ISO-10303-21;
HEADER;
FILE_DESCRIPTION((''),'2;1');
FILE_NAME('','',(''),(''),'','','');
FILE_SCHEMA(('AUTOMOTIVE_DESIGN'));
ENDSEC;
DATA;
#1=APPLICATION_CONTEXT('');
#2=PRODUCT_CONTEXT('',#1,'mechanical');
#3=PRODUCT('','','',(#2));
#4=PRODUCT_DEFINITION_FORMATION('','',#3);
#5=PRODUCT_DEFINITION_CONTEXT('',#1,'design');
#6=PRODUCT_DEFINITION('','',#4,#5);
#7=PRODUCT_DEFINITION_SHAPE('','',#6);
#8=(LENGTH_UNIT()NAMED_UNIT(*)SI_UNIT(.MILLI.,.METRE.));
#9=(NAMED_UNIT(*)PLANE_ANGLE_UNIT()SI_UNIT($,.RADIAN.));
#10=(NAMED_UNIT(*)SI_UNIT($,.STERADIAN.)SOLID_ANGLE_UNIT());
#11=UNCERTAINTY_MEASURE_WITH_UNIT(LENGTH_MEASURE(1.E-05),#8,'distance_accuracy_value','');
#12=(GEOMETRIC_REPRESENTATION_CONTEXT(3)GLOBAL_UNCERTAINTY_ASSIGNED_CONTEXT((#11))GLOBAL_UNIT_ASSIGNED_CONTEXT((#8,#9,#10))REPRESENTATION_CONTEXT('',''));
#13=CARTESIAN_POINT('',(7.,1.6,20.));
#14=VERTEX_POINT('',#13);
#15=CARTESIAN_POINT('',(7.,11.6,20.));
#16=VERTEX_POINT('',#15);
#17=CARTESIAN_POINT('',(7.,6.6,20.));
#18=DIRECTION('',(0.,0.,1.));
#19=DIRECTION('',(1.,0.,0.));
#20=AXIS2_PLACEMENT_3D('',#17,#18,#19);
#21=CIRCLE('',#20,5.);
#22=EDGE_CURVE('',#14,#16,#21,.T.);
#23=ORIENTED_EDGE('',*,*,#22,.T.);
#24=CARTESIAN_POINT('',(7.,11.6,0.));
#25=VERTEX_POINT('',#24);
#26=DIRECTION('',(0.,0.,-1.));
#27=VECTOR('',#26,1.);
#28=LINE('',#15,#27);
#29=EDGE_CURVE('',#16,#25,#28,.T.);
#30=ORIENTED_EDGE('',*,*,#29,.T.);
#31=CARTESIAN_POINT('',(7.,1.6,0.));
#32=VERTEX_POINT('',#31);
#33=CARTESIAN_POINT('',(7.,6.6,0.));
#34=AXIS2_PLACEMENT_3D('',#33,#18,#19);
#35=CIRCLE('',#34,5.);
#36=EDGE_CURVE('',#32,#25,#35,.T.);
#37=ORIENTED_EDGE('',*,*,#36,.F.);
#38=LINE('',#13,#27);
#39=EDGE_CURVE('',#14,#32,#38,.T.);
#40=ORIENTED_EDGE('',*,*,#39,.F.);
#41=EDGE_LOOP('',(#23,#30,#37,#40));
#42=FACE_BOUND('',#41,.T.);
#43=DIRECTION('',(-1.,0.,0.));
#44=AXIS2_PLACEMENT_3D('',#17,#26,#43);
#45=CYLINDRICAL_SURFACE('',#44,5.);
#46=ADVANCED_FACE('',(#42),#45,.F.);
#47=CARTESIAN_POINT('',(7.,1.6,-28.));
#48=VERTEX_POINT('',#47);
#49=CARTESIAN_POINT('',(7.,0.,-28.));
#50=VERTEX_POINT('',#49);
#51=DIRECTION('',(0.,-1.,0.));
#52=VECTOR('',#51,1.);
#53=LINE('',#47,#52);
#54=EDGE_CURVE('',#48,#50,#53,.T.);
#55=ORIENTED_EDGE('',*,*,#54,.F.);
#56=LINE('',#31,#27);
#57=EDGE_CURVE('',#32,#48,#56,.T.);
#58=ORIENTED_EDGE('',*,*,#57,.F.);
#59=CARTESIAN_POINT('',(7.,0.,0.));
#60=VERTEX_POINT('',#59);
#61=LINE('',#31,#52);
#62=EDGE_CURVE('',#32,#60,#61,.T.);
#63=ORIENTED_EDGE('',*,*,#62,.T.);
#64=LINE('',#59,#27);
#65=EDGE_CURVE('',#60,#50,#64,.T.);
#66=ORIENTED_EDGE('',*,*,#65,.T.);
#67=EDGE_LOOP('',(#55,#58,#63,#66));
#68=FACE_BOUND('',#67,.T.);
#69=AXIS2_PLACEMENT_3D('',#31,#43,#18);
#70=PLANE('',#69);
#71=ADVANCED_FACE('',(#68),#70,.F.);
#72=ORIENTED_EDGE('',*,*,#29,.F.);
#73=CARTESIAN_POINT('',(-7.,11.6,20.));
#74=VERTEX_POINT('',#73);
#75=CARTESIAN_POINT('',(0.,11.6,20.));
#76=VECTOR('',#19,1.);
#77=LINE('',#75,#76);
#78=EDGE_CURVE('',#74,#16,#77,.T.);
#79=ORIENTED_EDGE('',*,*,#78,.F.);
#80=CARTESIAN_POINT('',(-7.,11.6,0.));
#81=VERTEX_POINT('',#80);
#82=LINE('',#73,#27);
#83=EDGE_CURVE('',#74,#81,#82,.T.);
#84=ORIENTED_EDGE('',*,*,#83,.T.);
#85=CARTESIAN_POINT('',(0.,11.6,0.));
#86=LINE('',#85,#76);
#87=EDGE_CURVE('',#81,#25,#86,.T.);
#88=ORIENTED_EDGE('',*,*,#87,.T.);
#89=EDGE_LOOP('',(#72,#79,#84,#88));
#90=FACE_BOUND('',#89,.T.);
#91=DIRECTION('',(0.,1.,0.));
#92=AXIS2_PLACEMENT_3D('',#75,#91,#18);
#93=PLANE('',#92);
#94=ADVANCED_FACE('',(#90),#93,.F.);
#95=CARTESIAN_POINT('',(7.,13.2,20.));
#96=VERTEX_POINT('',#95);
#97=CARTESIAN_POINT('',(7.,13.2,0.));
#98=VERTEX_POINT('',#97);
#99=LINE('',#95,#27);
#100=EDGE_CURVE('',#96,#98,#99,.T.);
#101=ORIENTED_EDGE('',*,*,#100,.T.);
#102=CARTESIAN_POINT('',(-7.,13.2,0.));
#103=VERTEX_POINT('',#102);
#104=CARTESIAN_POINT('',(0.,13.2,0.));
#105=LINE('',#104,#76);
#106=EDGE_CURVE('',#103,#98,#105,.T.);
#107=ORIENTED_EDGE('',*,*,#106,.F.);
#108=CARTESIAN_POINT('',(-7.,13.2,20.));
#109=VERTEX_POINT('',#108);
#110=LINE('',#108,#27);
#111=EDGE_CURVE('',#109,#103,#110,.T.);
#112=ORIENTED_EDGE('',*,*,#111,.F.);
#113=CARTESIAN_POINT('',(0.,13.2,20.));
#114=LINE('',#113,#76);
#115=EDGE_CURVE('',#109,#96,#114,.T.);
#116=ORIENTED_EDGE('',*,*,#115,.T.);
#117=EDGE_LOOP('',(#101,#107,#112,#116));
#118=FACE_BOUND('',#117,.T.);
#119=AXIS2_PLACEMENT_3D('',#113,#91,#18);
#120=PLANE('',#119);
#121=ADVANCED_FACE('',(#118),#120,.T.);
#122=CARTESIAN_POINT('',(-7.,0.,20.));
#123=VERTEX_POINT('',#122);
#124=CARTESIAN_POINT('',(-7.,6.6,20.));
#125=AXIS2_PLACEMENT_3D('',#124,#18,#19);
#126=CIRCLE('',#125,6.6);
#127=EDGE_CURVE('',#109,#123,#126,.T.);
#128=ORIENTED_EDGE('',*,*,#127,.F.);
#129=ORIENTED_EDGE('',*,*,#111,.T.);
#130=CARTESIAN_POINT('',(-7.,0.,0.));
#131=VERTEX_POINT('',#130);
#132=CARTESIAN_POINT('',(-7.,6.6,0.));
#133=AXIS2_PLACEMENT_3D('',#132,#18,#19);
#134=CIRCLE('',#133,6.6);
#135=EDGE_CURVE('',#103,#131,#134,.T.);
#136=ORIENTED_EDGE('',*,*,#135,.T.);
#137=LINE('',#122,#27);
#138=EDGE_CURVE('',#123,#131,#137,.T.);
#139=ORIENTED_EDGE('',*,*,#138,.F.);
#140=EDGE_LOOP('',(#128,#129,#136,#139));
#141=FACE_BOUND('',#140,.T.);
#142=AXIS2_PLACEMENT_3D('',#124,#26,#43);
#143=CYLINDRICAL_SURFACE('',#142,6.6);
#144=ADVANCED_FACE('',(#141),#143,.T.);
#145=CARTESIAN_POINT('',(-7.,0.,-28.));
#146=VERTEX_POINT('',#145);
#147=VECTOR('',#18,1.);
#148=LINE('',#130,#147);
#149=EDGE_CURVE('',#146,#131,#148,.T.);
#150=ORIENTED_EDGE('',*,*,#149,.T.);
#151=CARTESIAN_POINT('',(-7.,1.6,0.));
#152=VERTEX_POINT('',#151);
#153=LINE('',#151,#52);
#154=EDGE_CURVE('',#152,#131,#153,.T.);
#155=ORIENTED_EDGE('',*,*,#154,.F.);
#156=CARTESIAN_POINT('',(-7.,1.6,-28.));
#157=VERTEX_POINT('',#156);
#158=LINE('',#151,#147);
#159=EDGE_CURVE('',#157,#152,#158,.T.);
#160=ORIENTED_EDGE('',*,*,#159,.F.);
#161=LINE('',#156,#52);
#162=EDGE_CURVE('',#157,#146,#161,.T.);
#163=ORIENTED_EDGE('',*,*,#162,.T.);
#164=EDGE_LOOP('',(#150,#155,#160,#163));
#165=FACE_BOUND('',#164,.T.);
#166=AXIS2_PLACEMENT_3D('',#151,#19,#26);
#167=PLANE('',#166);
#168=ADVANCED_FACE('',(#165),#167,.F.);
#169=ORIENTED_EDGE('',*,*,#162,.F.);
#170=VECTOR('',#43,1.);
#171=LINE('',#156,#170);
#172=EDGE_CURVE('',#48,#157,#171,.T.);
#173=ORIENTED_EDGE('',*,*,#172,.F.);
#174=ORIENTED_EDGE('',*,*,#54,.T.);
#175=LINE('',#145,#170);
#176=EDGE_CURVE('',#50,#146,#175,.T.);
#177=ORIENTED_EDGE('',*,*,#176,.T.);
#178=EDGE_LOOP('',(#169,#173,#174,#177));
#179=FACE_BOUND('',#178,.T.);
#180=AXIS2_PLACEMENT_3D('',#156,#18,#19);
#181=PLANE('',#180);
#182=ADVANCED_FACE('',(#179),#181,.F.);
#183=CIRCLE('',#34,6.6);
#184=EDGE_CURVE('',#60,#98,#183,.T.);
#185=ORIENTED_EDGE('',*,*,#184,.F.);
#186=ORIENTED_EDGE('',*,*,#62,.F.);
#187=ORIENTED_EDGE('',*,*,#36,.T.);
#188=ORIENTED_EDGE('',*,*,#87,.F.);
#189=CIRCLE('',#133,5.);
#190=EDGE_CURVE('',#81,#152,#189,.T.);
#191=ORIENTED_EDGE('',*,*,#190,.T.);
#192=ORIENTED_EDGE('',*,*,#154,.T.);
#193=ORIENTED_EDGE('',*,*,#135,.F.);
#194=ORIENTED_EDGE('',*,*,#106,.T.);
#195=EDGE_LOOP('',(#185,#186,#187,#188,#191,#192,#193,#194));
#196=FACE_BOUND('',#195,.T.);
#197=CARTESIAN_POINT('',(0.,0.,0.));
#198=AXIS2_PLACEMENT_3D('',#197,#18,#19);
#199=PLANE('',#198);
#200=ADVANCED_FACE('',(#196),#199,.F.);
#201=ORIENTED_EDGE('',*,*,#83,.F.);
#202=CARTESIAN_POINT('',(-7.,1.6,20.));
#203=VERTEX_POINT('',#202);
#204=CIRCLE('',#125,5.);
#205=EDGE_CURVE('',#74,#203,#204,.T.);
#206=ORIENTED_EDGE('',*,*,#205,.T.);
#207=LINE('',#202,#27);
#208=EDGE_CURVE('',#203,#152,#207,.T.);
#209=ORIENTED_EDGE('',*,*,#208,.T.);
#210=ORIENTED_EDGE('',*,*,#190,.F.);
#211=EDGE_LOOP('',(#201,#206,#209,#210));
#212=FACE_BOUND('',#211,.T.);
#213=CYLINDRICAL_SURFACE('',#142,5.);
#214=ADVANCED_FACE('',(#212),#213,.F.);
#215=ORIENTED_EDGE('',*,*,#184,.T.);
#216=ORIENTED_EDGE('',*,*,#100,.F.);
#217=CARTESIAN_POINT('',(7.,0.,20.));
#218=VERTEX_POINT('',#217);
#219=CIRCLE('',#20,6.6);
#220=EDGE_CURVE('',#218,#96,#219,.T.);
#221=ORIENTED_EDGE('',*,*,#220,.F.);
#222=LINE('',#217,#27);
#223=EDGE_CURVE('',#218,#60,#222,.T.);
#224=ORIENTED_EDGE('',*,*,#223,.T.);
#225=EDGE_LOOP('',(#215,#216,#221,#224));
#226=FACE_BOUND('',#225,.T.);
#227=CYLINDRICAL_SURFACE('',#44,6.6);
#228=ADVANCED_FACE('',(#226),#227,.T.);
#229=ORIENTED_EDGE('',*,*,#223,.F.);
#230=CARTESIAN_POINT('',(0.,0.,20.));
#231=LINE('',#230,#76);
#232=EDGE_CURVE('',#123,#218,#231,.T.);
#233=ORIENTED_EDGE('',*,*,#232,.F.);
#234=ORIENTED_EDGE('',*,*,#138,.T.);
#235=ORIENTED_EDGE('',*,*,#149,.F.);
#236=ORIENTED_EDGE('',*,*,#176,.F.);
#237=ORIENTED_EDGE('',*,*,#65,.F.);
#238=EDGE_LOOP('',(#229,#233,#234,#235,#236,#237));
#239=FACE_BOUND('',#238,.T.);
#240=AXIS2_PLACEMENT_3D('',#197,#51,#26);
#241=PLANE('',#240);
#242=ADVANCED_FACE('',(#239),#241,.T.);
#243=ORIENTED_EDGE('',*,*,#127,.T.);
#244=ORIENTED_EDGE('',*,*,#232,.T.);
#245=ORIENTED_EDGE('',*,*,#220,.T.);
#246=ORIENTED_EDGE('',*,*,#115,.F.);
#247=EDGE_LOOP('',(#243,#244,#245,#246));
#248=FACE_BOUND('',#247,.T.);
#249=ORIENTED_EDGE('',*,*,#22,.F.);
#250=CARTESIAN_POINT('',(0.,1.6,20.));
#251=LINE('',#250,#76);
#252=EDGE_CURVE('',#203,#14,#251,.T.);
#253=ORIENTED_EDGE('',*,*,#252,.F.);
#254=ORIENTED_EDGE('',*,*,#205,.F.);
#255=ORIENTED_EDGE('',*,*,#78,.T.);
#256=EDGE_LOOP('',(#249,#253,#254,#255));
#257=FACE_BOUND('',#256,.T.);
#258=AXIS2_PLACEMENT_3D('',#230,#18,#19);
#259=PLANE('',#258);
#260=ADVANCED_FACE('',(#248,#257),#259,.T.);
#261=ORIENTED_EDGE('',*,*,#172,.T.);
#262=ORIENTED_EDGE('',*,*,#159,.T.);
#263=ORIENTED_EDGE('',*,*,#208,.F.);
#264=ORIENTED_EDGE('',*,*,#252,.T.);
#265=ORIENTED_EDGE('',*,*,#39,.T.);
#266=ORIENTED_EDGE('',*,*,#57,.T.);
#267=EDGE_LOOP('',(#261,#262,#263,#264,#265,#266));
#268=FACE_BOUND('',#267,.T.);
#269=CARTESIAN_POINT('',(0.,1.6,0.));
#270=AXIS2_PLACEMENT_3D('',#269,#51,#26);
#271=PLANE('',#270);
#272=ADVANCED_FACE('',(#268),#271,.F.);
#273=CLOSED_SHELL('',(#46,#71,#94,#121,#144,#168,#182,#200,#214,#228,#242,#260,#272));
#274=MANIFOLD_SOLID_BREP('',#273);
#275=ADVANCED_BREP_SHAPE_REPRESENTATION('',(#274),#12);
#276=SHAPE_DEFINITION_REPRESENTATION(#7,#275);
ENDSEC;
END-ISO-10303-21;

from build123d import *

# Parameters (mm, degrees)
SKETCH1_W           = 14
SKETCH1_H           = 28
BOSS_EXTRUDE1_DEPTH = 1.6
SKETCH2_W           = 14
SKETCH2_H           = 1.6
BOSS_EXTRUDE2_DEPTH = 20


with BuildPart() as part:
    # Sketch1 → Boss-Extrude1 (new body)
    with BuildSketch(Plane(origin=(0, 0, 0), x_dir=(1, 0, 0), z_dir=(0, 1, 0))):
        with Locations((0, 14)):
            Rectangle(SKETCH1_W, SKETCH1_H)
    extrude(amount=BOSS_EXTRUDE1_DEPTH)

    # Sketch2 → Boss-Extrude2 (add)
    with BuildSketch(Plane.XY):
        with BuildLine():
            Line((-7, 13.2), (7, 13.2))
            ThreePointArc((7, 13.2), (13.6, 6.6), (7, 0))
            Line((7, 0), (7, 1.6))
            ThreePointArc((7, 1.6), (12, 6.6), (7, 11.6))
            Line((7, 11.6), (-7, 11.6))
            ThreePointArc((-7, 11.6), (-12, 6.6), (-7, 1.6))
            Line((-7, 1.6), (-7, 0))
            ThreePointArc((-7, 0), (-13.6, 6.6), (-7, 13.2))
        make_face()
        with Locations((0, 0.8)):
            Rectangle(SKETCH2_W, SKETCH2_H)
    extrude(amount=BOSS_EXTRUDE2_DEPTH)


solid = part.part
